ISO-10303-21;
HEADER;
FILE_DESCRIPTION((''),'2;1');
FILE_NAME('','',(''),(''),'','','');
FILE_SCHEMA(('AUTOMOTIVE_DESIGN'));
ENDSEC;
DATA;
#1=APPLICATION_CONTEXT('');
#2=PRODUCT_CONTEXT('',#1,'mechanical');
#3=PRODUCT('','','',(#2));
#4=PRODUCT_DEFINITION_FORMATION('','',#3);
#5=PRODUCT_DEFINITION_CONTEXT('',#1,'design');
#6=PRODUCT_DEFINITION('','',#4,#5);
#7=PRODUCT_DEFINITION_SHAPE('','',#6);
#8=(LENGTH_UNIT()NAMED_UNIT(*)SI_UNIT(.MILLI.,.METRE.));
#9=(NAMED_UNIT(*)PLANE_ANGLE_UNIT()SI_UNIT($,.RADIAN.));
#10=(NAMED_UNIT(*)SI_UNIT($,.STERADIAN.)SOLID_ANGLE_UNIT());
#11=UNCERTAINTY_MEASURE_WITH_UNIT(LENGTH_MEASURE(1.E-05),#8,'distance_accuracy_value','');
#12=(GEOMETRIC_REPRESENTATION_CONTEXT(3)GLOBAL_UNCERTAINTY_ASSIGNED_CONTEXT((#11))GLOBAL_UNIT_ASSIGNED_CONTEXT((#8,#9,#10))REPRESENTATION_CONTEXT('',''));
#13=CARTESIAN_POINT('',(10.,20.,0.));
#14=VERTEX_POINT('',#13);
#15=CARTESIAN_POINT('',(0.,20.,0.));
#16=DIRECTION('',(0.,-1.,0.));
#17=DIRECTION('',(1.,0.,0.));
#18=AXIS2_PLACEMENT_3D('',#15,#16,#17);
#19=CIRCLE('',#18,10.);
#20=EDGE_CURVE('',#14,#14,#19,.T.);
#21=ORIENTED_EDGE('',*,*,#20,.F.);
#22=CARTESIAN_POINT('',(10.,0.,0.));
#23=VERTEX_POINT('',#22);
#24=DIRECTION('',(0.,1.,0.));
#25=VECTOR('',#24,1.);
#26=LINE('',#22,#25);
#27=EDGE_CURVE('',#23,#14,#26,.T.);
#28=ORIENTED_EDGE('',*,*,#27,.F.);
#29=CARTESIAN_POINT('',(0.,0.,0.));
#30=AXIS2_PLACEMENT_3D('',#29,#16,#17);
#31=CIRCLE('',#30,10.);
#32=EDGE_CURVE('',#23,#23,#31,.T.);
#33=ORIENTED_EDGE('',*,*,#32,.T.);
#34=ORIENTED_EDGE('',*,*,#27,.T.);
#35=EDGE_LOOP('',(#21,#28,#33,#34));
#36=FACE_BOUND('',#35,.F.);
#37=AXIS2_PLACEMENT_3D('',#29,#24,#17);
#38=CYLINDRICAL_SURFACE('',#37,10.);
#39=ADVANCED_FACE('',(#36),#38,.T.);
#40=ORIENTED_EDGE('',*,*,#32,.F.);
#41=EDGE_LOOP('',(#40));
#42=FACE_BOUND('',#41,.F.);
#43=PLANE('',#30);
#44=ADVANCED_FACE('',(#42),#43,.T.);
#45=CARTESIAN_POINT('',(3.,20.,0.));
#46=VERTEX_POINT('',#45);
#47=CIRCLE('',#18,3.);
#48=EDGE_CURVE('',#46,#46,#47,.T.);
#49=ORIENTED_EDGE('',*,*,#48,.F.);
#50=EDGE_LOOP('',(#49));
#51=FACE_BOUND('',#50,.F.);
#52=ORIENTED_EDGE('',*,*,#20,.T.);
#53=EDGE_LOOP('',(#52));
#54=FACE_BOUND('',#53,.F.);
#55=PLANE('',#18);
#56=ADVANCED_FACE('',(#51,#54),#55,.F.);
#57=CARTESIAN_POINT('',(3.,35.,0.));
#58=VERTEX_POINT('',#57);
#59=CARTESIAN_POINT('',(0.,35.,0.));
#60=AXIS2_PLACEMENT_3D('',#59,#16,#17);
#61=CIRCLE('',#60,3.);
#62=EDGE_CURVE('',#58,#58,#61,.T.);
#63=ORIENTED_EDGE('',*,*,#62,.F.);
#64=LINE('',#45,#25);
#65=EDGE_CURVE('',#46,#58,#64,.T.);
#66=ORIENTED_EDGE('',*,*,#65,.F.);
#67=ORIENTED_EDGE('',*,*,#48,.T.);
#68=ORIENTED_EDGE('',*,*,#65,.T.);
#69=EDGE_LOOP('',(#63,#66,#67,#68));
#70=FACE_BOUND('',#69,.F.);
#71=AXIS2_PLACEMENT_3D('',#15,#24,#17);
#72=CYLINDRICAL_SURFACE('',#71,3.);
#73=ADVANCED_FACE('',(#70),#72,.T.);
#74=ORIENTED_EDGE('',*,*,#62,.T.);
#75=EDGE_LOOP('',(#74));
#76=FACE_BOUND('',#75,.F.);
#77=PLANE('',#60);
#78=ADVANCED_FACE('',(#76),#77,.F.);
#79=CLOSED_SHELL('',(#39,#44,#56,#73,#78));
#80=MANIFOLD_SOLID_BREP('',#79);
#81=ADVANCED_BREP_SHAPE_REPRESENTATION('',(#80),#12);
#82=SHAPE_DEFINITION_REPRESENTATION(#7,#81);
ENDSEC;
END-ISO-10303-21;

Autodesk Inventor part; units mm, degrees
ref_plane "YZ Plane" through (0, 0, 0) normal (1, 0, 0) x (0, 1, 0)
ref_plane "XZ Plane" through (0, 0, 0) normal (0, 1, 0) x (-1, 0, 0)
ref_plane "XY Plane" through (0, 0, 0) normal (0, 0, 1) x (1, 0, 0)
sketch "Sketch1" plane through (0, 0, 0) normal (0, 0, 1) x (1, 0, 0)
  line L0 (0, 0) -> (10, 0)
  line L1 (10, 0) -> (10, 20)
  line L2 (10, 20) -> (3, 20)
  line L3 (3, 20) -> (3, 35)
  line L4 (3, 35) -> (0, 35)
  line L5 (0, 27.6527) -> (0, -18.7044) construction
  line L6 (0, 35) -> (0, 0)
  dimension "d0" = 10
  dimension "d1" = 3
  dimension "d2" = 15
  dimension "d3" = 20
revolve "Revolution1" add sketch "Sketch1" angle 360 about axis through (0, 27.6527, 0) along (0, -1, 0)
properties part number "Silenbloc"
